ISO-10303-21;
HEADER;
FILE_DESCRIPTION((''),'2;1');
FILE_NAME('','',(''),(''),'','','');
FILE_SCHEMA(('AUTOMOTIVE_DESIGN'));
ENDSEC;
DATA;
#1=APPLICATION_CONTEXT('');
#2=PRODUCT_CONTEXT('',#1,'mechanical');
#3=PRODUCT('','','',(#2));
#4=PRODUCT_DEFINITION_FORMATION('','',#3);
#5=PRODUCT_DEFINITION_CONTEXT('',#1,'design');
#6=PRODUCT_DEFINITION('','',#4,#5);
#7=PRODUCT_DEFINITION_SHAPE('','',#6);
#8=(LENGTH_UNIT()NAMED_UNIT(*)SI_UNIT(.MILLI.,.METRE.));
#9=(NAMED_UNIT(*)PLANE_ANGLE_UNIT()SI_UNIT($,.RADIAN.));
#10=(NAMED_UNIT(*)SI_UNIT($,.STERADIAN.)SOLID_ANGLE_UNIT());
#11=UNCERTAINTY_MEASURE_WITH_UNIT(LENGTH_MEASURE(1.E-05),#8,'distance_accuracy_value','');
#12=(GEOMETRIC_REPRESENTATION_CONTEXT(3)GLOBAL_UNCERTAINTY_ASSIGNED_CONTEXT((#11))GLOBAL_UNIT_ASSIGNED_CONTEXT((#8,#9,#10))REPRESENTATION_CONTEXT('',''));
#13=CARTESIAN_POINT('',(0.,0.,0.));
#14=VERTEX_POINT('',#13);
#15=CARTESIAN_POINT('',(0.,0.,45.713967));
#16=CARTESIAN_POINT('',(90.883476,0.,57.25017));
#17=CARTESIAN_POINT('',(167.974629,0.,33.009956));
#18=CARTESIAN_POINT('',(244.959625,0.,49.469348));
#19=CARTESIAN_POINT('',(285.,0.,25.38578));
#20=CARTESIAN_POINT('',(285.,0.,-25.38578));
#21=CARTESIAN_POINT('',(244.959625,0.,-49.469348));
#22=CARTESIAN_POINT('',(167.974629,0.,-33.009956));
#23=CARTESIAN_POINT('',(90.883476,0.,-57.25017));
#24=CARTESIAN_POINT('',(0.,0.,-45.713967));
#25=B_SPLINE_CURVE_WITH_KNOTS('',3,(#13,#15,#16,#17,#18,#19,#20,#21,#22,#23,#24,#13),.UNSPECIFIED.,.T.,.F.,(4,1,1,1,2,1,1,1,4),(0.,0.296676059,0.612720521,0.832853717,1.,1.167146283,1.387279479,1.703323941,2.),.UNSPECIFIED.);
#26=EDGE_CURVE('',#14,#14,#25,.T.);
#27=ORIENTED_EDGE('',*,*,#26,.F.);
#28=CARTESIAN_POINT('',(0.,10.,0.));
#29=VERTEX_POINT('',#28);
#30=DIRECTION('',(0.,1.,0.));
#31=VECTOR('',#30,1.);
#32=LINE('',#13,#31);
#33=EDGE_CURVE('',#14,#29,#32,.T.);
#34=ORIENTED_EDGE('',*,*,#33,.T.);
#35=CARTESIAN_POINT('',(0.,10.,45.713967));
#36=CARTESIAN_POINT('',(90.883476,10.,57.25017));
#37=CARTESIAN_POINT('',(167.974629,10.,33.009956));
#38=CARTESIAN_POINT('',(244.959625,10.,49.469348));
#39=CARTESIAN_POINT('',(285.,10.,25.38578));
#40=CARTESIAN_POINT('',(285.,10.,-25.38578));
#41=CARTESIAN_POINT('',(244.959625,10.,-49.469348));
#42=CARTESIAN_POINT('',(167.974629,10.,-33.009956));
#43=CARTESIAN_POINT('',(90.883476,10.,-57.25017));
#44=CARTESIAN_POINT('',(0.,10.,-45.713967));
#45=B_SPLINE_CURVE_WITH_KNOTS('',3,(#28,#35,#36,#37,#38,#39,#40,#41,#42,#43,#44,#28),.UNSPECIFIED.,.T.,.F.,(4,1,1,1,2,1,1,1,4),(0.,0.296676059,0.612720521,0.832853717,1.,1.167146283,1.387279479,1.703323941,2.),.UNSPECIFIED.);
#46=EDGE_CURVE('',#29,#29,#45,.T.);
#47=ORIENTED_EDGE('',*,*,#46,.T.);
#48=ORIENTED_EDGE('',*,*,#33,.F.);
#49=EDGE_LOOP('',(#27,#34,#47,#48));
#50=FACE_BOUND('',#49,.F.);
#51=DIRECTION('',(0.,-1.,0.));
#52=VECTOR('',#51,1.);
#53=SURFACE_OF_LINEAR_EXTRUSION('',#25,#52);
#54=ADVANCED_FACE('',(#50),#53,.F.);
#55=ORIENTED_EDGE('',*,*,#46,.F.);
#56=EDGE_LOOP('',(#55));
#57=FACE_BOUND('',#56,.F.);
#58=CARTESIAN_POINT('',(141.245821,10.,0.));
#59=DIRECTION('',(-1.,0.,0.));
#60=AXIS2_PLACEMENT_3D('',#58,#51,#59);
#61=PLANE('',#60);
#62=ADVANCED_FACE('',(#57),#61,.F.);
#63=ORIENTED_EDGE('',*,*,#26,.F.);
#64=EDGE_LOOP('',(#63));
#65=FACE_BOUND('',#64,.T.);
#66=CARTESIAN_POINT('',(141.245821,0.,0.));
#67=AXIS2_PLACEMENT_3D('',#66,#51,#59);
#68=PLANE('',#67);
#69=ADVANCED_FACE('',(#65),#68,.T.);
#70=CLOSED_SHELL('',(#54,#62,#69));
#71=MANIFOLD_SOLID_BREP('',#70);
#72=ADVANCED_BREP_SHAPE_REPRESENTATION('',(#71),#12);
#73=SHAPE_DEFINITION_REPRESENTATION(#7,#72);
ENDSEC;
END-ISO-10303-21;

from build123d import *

# Parameters (mm, degrees)
BOSS_EXTRUDE1_DEPTH = 10


with BuildPart() as part:
    # Sketch1 → Boss-Extrude1 (new body)
    with BuildSketch(Plane(origin=(0, 0, 0), x_dir=(1, 0, 0), z_dir=(0, 1, 0))):
        with BuildLine():
            add(Edge.make_bspline(
                [(0, 0), (0, 45.713966925), (90.883476186, 57.250170405), (167.974629399, 33.009955562), (244.959624554, 49.469348186), (285, 25.385780233), (285, 0)],
                knots=[0, 0, 0, 0, 0.296676059, 0.612720521, 0.832853717, 1, 1, 1, 1], degree=3))
            add(Edge.make_bspline(
                [(0, 0), (0, -45.713966925), (90.883476186, -57.250170405), (167.974629399, -33.009955562), (244.959624554, -49.469348186), (285, -25.385780233), (285, 0)],
                knots=[0, 0, 0, 0, 0.296676059, 0.612720521, 0.832853717, 1, 1, 1, 1], degree=3))
        make_face()
    extrude(amount=BOSS_EXTRUDE1_DEPTH)


solid = part.part
